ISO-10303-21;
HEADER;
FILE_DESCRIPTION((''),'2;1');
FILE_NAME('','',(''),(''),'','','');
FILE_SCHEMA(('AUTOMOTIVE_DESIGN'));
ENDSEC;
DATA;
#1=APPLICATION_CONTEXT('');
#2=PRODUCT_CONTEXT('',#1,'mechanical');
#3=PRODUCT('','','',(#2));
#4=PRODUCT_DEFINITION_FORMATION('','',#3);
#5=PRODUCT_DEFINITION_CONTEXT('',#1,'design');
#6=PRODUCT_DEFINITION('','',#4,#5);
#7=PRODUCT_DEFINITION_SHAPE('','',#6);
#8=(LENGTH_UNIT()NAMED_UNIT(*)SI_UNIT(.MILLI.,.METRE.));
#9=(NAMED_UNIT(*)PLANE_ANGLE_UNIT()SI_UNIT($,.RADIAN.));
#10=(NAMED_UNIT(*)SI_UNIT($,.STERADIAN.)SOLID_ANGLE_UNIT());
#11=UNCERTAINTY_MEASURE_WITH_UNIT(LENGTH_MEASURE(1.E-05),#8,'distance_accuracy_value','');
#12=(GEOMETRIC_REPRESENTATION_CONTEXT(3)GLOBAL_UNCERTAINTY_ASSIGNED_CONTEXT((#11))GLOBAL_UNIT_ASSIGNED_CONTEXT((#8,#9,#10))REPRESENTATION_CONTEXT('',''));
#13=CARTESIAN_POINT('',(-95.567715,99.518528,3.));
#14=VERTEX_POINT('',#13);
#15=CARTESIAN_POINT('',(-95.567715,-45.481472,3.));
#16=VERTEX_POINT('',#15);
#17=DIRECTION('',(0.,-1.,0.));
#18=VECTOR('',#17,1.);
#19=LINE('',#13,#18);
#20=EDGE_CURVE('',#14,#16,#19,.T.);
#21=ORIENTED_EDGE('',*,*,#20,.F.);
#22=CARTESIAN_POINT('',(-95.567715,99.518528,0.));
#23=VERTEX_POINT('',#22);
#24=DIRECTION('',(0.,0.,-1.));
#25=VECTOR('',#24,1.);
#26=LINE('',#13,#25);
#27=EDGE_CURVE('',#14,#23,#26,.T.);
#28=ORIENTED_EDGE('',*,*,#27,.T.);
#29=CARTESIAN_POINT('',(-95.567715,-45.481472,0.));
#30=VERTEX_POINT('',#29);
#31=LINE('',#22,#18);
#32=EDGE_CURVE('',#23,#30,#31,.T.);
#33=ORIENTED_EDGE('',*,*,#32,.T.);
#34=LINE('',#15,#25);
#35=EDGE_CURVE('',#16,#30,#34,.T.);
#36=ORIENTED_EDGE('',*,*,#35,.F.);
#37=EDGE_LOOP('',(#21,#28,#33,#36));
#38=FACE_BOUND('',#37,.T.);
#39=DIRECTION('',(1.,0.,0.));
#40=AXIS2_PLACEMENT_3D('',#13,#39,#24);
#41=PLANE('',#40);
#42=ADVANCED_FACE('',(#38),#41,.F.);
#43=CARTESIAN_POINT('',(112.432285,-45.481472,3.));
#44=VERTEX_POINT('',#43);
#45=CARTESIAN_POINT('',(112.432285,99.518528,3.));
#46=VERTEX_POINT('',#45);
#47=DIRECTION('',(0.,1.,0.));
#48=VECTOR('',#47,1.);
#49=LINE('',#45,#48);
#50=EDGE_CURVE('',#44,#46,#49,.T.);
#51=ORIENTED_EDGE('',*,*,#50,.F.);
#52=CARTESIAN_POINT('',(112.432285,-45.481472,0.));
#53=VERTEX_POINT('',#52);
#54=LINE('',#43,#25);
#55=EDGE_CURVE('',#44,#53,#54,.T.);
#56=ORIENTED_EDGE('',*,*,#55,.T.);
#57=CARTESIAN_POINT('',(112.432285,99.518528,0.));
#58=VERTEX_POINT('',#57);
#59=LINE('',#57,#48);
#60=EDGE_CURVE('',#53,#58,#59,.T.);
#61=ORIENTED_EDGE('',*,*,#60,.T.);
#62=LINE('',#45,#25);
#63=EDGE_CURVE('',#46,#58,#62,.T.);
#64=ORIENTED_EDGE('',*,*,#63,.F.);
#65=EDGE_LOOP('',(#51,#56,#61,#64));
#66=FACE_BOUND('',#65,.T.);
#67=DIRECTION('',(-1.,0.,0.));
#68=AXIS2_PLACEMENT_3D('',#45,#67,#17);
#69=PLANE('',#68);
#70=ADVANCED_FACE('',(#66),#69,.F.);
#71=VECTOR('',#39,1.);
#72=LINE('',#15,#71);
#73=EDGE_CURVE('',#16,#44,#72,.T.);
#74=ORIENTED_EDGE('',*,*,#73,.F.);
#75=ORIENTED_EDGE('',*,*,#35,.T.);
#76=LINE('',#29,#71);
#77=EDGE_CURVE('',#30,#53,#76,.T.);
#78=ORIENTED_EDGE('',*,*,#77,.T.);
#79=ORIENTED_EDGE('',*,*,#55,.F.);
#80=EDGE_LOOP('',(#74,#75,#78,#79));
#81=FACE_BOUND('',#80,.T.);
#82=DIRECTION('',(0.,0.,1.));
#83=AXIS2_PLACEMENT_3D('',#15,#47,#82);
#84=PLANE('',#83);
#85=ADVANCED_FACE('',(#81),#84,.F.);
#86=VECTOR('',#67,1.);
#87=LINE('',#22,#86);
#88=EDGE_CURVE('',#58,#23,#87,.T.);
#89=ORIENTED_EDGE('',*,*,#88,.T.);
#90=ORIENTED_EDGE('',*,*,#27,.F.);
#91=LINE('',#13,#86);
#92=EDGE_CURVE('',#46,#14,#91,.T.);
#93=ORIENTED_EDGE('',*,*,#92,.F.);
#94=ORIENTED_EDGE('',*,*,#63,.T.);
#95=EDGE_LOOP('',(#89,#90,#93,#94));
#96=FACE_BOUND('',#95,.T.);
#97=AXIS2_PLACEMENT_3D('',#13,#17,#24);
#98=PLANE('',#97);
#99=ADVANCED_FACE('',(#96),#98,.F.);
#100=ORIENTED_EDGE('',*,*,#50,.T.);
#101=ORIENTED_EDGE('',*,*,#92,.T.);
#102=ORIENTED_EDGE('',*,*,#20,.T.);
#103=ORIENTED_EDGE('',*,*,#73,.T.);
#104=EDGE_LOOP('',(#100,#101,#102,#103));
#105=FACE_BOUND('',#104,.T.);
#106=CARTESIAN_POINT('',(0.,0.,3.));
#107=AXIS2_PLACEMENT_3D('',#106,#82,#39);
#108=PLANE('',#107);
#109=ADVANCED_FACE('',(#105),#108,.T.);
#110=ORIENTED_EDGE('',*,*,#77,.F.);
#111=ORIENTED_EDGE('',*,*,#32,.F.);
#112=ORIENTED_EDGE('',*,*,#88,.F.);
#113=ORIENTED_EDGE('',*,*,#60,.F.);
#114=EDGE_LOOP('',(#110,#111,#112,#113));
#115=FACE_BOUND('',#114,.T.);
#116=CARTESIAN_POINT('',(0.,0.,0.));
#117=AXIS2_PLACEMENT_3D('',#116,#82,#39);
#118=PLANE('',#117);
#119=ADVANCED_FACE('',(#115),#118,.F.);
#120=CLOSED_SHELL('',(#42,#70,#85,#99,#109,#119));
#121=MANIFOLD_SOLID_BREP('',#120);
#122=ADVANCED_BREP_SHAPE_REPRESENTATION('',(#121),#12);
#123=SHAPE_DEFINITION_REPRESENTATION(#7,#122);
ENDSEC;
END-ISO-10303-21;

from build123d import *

# Parameters (mm, degrees)
CROQUIS1_W              = 208
CROQUIS1_H              = 145
SALIENTE_EXTRUIR1_DEPTH = 3


with BuildPart() as part:
    # Croquis1 → Saliente-Extruir1 (new body)
    with BuildSketch(Plane.XY):
        with Locations((8.43228511, 27.018527919)):
            Rectangle(CROQUIS1_W, CROQUIS1_H)
    extrude(amount=SALIENTE_EXTRUIR1_DEPTH)


solid = part.part
